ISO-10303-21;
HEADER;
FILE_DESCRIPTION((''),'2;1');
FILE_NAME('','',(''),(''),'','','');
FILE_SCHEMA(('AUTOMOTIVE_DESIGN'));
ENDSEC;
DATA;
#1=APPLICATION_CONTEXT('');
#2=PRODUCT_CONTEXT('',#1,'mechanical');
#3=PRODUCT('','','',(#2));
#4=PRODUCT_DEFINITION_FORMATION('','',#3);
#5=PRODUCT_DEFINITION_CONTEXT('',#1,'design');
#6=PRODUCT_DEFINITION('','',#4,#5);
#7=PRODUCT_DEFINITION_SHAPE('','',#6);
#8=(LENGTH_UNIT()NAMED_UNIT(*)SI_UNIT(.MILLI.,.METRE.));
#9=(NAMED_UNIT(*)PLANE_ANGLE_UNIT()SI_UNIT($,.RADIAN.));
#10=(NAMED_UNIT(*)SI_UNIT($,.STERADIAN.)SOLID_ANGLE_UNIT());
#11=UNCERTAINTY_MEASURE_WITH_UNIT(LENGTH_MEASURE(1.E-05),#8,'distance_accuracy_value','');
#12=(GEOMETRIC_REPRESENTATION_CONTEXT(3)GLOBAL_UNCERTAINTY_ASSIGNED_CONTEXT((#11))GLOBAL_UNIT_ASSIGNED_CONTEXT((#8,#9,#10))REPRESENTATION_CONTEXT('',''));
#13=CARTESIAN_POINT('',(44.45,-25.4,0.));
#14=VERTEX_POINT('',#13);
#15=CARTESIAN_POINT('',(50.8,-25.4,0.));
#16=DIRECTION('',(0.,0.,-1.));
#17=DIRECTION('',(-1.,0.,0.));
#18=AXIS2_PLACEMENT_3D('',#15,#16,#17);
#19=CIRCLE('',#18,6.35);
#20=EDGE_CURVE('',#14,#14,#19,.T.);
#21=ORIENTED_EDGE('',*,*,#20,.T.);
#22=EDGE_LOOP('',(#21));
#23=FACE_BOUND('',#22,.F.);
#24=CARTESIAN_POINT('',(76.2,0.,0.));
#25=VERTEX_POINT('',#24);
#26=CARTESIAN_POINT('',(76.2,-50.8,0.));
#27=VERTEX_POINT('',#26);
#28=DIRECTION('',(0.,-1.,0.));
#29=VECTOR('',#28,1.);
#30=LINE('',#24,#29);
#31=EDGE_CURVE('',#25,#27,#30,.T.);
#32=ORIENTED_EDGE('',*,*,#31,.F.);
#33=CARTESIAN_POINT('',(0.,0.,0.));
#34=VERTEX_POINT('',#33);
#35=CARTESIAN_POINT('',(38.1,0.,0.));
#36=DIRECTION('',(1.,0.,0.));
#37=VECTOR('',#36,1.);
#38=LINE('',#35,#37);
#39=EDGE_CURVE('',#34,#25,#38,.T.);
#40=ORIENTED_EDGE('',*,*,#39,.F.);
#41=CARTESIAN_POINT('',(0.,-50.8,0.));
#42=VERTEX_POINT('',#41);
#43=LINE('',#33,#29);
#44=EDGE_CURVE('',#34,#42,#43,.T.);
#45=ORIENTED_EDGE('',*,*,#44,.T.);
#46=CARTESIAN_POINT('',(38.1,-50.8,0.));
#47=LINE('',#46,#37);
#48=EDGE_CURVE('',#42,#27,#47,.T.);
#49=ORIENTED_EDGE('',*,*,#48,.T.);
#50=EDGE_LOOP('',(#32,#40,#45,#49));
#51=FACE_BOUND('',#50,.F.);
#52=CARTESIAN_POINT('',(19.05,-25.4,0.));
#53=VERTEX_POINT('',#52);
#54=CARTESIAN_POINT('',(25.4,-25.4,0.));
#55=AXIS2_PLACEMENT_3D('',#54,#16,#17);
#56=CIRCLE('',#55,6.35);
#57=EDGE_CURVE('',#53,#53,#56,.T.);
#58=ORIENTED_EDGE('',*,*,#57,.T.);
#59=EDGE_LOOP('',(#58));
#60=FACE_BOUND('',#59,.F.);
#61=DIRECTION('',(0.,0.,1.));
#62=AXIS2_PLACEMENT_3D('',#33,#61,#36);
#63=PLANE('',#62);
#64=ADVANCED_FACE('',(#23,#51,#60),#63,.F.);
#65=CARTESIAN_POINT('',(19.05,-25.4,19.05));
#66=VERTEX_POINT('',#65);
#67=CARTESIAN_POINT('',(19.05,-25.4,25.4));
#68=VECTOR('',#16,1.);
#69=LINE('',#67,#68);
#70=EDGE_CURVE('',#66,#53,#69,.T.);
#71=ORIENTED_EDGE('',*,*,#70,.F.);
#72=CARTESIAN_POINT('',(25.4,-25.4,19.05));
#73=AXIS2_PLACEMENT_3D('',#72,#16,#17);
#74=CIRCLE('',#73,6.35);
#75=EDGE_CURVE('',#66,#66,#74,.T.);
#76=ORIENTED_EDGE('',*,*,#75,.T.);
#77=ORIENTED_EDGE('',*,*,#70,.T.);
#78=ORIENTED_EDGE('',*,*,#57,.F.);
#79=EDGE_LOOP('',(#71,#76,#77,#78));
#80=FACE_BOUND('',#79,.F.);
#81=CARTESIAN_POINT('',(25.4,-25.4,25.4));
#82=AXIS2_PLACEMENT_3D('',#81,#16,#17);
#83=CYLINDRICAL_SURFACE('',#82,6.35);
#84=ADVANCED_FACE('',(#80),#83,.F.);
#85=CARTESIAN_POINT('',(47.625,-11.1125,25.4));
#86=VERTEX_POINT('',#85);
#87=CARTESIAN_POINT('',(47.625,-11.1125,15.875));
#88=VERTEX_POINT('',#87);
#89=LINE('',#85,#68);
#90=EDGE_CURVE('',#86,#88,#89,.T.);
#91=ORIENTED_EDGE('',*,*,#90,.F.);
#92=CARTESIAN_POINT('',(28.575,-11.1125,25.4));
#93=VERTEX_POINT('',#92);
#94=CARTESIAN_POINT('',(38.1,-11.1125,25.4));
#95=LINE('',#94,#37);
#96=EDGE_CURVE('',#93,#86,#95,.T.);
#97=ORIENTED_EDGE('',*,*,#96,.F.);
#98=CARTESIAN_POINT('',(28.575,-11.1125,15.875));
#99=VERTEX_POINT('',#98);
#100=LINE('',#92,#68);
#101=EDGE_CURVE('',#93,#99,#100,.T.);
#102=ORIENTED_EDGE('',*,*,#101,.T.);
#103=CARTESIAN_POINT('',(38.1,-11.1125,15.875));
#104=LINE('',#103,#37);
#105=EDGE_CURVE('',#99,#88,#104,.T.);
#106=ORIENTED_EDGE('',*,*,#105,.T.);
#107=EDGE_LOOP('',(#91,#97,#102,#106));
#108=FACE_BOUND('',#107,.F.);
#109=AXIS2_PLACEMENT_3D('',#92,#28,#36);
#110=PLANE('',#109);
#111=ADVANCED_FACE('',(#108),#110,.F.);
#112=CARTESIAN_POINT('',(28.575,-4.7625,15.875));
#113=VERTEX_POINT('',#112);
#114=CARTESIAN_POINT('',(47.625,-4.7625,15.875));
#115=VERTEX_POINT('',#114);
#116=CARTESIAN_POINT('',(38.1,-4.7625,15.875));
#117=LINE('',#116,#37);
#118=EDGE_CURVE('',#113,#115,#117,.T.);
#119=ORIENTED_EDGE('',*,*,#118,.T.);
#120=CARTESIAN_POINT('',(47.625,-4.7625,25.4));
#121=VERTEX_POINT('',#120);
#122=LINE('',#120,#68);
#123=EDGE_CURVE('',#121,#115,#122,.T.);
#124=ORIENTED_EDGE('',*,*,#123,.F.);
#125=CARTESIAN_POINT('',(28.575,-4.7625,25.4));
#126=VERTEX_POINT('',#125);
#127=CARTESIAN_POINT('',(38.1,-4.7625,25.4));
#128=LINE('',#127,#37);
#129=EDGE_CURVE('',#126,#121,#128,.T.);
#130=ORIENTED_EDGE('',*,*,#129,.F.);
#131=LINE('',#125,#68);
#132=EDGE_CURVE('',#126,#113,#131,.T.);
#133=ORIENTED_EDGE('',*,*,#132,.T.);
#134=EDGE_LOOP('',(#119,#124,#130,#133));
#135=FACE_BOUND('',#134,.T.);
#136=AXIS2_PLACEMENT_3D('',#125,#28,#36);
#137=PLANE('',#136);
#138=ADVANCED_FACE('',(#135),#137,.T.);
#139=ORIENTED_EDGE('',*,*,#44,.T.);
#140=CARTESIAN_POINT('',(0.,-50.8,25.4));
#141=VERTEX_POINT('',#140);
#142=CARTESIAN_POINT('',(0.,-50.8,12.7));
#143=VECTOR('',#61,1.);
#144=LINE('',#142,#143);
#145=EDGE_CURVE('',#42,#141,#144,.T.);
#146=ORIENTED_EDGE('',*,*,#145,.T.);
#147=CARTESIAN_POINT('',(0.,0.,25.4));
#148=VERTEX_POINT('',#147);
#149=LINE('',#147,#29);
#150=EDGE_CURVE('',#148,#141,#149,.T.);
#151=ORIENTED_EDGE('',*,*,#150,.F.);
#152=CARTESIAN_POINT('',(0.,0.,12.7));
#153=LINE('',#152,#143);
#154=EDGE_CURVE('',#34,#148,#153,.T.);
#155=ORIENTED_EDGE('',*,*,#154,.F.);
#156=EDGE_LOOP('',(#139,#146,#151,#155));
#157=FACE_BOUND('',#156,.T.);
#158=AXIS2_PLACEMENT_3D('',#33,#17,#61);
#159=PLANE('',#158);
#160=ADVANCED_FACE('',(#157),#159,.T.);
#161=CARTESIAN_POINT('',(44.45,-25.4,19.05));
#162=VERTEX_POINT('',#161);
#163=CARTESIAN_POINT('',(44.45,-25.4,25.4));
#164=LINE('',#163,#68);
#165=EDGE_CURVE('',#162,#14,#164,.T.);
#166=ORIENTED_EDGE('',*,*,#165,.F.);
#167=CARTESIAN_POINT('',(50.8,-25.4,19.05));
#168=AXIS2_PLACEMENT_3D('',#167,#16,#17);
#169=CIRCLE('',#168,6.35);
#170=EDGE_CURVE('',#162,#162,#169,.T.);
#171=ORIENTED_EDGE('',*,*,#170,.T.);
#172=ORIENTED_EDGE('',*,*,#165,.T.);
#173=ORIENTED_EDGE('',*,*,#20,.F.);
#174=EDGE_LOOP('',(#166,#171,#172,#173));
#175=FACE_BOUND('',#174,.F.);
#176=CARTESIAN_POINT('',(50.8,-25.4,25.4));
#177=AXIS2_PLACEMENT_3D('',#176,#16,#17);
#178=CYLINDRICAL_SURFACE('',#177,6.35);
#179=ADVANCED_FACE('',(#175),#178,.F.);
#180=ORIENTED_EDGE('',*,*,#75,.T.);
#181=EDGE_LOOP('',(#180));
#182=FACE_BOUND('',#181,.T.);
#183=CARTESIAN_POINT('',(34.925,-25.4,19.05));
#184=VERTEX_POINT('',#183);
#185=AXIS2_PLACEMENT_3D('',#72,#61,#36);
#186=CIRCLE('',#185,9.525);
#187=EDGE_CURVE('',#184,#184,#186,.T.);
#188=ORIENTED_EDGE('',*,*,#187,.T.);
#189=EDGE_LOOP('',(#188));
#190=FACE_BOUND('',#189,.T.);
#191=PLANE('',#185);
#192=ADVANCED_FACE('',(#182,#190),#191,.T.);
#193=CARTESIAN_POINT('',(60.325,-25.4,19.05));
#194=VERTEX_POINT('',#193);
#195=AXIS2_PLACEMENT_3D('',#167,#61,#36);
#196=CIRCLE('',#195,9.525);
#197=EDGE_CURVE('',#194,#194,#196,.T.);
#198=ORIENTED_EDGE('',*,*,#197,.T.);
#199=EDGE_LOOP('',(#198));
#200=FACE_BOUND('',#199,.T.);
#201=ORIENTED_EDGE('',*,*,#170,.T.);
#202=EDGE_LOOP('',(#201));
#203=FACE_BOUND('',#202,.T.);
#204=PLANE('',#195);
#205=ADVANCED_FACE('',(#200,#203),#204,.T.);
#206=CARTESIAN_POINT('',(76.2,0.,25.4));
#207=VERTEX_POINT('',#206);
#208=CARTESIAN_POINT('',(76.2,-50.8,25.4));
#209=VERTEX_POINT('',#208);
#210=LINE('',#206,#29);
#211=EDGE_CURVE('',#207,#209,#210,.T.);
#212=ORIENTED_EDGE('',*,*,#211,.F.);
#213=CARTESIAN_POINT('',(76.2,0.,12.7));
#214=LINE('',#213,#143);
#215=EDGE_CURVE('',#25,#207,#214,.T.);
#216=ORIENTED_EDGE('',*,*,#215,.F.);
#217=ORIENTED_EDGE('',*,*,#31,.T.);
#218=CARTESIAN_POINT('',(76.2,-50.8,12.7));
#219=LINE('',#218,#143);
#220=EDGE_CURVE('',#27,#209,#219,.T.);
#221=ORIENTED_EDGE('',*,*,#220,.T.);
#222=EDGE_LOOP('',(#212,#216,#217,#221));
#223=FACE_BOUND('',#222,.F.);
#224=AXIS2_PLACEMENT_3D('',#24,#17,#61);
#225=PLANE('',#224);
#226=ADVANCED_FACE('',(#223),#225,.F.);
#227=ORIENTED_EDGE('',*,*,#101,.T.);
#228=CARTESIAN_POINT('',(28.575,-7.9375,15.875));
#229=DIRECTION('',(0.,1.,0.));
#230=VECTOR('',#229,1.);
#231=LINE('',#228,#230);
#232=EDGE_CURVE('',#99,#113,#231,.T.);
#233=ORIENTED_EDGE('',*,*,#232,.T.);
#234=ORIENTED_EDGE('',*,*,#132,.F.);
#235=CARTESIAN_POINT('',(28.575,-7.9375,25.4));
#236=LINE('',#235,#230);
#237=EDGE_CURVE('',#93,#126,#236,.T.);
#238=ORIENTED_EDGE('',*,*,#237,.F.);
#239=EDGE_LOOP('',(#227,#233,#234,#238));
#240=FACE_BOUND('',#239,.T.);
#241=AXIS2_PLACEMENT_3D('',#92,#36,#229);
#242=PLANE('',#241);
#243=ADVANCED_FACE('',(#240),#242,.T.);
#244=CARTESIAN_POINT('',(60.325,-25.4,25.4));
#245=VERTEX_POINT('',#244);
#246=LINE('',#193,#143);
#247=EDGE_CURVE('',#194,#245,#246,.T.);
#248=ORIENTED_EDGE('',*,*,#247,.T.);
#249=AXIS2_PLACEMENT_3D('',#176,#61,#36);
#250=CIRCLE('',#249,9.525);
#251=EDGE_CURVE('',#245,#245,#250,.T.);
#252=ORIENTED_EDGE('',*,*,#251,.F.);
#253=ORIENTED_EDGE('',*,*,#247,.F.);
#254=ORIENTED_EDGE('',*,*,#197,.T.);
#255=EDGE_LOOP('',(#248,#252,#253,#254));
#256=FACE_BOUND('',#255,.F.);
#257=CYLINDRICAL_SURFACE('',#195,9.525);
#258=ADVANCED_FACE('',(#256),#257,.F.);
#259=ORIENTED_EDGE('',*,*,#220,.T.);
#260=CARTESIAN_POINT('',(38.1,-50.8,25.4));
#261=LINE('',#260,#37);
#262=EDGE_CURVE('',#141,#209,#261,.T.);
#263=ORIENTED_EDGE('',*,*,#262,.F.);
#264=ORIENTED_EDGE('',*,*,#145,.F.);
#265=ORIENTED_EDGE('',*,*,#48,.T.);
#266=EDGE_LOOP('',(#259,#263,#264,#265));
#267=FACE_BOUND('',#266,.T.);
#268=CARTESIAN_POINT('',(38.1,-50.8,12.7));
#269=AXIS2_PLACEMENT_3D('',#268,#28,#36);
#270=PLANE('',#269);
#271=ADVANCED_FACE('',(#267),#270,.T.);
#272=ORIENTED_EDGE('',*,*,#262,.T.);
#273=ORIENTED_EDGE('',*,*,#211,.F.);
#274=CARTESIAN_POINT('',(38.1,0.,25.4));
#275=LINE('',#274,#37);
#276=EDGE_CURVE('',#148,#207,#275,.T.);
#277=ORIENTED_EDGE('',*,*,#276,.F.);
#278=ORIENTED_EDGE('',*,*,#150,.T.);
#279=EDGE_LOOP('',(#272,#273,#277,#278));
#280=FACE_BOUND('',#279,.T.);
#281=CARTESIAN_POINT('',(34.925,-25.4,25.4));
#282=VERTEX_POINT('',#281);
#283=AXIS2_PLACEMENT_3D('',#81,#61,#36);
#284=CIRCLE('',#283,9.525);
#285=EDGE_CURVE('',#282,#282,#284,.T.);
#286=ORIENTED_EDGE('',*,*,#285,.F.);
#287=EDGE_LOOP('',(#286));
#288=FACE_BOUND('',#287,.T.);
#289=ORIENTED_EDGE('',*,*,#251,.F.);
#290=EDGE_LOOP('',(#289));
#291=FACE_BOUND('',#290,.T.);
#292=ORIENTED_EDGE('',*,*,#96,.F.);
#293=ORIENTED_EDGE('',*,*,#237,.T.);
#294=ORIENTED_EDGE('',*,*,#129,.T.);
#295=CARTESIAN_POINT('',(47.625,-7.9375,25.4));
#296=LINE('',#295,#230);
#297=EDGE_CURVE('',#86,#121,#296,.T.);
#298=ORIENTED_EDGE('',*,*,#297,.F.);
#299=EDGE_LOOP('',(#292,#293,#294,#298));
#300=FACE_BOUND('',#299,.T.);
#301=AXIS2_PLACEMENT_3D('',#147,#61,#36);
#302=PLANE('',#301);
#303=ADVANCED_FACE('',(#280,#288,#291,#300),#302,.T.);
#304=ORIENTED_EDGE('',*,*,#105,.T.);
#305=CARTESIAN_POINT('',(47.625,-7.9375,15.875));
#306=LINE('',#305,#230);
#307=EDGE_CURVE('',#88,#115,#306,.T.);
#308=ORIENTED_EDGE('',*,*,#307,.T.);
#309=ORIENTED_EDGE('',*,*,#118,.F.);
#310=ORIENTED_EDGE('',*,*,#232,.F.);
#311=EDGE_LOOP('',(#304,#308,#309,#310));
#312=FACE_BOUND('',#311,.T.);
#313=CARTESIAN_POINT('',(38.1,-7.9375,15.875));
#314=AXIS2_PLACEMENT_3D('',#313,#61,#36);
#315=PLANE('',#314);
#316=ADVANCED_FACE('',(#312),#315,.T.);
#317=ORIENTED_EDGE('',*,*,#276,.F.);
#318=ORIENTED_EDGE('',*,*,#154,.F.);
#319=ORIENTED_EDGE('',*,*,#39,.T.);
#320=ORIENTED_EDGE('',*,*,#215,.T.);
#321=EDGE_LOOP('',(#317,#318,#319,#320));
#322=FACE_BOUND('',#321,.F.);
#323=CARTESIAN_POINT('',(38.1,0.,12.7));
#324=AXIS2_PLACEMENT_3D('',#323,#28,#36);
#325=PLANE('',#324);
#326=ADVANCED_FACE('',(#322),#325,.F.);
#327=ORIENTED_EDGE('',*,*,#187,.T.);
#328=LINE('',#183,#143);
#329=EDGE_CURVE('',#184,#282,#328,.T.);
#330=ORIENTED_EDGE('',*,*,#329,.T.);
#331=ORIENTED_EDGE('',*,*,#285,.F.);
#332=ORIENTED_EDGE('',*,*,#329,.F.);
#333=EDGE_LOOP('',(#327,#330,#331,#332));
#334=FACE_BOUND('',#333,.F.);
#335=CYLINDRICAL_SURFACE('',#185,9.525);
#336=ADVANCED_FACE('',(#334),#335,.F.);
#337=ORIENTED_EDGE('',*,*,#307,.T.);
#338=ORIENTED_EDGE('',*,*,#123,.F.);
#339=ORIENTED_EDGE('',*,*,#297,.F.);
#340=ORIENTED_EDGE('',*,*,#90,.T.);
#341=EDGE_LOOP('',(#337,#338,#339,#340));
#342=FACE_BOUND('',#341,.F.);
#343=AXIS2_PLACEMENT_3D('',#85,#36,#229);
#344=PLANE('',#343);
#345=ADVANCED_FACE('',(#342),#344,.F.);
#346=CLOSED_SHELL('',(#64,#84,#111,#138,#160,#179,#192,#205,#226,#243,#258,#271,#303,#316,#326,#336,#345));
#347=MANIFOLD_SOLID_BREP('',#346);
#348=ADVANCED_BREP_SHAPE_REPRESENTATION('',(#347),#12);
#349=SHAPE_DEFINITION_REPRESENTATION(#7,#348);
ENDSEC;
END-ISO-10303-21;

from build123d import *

# Parameters (mm, degrees)
F0_W           = 76.2
F0_H           = 25.4
F1_DEPTH       = 50.8
F3_D           = 12.7
F3_CBORE_D     = 19.05
F3_CBORE_DEPTH = 6.35
F4_W           = 19.05
F4_H           = 6.35
F5_DEPTH       = 9.525


with BuildPart() as f1:
    # F0 (on Front) → F1 (new body)
    with BuildSketch(Plane.XZ):
        with Locations((38.1, 12.7)):
            Rectangle(F0_W, F0_H)
    extrude(amount=F1_DEPTH)

    # F3 (through all)
    with Locations(Plane.XY.offset(25.4)):
        with Locations((25.4, -25.4), (50.8, -25.4)):
            CounterBoreHole(F3_D / 2, F3_CBORE_D / 2, F3_CBORE_DEPTH)

    # F4 (on face) → F5 (cut)
    with BuildSketch(Plane.XY.offset(25.4)):
        with Locations((38.1, -7.9375)):
            Rectangle(F4_W, F4_H)
    extrude(amount=-F5_DEPTH, mode=Mode.SUBTRACT)


solid = f1.part
